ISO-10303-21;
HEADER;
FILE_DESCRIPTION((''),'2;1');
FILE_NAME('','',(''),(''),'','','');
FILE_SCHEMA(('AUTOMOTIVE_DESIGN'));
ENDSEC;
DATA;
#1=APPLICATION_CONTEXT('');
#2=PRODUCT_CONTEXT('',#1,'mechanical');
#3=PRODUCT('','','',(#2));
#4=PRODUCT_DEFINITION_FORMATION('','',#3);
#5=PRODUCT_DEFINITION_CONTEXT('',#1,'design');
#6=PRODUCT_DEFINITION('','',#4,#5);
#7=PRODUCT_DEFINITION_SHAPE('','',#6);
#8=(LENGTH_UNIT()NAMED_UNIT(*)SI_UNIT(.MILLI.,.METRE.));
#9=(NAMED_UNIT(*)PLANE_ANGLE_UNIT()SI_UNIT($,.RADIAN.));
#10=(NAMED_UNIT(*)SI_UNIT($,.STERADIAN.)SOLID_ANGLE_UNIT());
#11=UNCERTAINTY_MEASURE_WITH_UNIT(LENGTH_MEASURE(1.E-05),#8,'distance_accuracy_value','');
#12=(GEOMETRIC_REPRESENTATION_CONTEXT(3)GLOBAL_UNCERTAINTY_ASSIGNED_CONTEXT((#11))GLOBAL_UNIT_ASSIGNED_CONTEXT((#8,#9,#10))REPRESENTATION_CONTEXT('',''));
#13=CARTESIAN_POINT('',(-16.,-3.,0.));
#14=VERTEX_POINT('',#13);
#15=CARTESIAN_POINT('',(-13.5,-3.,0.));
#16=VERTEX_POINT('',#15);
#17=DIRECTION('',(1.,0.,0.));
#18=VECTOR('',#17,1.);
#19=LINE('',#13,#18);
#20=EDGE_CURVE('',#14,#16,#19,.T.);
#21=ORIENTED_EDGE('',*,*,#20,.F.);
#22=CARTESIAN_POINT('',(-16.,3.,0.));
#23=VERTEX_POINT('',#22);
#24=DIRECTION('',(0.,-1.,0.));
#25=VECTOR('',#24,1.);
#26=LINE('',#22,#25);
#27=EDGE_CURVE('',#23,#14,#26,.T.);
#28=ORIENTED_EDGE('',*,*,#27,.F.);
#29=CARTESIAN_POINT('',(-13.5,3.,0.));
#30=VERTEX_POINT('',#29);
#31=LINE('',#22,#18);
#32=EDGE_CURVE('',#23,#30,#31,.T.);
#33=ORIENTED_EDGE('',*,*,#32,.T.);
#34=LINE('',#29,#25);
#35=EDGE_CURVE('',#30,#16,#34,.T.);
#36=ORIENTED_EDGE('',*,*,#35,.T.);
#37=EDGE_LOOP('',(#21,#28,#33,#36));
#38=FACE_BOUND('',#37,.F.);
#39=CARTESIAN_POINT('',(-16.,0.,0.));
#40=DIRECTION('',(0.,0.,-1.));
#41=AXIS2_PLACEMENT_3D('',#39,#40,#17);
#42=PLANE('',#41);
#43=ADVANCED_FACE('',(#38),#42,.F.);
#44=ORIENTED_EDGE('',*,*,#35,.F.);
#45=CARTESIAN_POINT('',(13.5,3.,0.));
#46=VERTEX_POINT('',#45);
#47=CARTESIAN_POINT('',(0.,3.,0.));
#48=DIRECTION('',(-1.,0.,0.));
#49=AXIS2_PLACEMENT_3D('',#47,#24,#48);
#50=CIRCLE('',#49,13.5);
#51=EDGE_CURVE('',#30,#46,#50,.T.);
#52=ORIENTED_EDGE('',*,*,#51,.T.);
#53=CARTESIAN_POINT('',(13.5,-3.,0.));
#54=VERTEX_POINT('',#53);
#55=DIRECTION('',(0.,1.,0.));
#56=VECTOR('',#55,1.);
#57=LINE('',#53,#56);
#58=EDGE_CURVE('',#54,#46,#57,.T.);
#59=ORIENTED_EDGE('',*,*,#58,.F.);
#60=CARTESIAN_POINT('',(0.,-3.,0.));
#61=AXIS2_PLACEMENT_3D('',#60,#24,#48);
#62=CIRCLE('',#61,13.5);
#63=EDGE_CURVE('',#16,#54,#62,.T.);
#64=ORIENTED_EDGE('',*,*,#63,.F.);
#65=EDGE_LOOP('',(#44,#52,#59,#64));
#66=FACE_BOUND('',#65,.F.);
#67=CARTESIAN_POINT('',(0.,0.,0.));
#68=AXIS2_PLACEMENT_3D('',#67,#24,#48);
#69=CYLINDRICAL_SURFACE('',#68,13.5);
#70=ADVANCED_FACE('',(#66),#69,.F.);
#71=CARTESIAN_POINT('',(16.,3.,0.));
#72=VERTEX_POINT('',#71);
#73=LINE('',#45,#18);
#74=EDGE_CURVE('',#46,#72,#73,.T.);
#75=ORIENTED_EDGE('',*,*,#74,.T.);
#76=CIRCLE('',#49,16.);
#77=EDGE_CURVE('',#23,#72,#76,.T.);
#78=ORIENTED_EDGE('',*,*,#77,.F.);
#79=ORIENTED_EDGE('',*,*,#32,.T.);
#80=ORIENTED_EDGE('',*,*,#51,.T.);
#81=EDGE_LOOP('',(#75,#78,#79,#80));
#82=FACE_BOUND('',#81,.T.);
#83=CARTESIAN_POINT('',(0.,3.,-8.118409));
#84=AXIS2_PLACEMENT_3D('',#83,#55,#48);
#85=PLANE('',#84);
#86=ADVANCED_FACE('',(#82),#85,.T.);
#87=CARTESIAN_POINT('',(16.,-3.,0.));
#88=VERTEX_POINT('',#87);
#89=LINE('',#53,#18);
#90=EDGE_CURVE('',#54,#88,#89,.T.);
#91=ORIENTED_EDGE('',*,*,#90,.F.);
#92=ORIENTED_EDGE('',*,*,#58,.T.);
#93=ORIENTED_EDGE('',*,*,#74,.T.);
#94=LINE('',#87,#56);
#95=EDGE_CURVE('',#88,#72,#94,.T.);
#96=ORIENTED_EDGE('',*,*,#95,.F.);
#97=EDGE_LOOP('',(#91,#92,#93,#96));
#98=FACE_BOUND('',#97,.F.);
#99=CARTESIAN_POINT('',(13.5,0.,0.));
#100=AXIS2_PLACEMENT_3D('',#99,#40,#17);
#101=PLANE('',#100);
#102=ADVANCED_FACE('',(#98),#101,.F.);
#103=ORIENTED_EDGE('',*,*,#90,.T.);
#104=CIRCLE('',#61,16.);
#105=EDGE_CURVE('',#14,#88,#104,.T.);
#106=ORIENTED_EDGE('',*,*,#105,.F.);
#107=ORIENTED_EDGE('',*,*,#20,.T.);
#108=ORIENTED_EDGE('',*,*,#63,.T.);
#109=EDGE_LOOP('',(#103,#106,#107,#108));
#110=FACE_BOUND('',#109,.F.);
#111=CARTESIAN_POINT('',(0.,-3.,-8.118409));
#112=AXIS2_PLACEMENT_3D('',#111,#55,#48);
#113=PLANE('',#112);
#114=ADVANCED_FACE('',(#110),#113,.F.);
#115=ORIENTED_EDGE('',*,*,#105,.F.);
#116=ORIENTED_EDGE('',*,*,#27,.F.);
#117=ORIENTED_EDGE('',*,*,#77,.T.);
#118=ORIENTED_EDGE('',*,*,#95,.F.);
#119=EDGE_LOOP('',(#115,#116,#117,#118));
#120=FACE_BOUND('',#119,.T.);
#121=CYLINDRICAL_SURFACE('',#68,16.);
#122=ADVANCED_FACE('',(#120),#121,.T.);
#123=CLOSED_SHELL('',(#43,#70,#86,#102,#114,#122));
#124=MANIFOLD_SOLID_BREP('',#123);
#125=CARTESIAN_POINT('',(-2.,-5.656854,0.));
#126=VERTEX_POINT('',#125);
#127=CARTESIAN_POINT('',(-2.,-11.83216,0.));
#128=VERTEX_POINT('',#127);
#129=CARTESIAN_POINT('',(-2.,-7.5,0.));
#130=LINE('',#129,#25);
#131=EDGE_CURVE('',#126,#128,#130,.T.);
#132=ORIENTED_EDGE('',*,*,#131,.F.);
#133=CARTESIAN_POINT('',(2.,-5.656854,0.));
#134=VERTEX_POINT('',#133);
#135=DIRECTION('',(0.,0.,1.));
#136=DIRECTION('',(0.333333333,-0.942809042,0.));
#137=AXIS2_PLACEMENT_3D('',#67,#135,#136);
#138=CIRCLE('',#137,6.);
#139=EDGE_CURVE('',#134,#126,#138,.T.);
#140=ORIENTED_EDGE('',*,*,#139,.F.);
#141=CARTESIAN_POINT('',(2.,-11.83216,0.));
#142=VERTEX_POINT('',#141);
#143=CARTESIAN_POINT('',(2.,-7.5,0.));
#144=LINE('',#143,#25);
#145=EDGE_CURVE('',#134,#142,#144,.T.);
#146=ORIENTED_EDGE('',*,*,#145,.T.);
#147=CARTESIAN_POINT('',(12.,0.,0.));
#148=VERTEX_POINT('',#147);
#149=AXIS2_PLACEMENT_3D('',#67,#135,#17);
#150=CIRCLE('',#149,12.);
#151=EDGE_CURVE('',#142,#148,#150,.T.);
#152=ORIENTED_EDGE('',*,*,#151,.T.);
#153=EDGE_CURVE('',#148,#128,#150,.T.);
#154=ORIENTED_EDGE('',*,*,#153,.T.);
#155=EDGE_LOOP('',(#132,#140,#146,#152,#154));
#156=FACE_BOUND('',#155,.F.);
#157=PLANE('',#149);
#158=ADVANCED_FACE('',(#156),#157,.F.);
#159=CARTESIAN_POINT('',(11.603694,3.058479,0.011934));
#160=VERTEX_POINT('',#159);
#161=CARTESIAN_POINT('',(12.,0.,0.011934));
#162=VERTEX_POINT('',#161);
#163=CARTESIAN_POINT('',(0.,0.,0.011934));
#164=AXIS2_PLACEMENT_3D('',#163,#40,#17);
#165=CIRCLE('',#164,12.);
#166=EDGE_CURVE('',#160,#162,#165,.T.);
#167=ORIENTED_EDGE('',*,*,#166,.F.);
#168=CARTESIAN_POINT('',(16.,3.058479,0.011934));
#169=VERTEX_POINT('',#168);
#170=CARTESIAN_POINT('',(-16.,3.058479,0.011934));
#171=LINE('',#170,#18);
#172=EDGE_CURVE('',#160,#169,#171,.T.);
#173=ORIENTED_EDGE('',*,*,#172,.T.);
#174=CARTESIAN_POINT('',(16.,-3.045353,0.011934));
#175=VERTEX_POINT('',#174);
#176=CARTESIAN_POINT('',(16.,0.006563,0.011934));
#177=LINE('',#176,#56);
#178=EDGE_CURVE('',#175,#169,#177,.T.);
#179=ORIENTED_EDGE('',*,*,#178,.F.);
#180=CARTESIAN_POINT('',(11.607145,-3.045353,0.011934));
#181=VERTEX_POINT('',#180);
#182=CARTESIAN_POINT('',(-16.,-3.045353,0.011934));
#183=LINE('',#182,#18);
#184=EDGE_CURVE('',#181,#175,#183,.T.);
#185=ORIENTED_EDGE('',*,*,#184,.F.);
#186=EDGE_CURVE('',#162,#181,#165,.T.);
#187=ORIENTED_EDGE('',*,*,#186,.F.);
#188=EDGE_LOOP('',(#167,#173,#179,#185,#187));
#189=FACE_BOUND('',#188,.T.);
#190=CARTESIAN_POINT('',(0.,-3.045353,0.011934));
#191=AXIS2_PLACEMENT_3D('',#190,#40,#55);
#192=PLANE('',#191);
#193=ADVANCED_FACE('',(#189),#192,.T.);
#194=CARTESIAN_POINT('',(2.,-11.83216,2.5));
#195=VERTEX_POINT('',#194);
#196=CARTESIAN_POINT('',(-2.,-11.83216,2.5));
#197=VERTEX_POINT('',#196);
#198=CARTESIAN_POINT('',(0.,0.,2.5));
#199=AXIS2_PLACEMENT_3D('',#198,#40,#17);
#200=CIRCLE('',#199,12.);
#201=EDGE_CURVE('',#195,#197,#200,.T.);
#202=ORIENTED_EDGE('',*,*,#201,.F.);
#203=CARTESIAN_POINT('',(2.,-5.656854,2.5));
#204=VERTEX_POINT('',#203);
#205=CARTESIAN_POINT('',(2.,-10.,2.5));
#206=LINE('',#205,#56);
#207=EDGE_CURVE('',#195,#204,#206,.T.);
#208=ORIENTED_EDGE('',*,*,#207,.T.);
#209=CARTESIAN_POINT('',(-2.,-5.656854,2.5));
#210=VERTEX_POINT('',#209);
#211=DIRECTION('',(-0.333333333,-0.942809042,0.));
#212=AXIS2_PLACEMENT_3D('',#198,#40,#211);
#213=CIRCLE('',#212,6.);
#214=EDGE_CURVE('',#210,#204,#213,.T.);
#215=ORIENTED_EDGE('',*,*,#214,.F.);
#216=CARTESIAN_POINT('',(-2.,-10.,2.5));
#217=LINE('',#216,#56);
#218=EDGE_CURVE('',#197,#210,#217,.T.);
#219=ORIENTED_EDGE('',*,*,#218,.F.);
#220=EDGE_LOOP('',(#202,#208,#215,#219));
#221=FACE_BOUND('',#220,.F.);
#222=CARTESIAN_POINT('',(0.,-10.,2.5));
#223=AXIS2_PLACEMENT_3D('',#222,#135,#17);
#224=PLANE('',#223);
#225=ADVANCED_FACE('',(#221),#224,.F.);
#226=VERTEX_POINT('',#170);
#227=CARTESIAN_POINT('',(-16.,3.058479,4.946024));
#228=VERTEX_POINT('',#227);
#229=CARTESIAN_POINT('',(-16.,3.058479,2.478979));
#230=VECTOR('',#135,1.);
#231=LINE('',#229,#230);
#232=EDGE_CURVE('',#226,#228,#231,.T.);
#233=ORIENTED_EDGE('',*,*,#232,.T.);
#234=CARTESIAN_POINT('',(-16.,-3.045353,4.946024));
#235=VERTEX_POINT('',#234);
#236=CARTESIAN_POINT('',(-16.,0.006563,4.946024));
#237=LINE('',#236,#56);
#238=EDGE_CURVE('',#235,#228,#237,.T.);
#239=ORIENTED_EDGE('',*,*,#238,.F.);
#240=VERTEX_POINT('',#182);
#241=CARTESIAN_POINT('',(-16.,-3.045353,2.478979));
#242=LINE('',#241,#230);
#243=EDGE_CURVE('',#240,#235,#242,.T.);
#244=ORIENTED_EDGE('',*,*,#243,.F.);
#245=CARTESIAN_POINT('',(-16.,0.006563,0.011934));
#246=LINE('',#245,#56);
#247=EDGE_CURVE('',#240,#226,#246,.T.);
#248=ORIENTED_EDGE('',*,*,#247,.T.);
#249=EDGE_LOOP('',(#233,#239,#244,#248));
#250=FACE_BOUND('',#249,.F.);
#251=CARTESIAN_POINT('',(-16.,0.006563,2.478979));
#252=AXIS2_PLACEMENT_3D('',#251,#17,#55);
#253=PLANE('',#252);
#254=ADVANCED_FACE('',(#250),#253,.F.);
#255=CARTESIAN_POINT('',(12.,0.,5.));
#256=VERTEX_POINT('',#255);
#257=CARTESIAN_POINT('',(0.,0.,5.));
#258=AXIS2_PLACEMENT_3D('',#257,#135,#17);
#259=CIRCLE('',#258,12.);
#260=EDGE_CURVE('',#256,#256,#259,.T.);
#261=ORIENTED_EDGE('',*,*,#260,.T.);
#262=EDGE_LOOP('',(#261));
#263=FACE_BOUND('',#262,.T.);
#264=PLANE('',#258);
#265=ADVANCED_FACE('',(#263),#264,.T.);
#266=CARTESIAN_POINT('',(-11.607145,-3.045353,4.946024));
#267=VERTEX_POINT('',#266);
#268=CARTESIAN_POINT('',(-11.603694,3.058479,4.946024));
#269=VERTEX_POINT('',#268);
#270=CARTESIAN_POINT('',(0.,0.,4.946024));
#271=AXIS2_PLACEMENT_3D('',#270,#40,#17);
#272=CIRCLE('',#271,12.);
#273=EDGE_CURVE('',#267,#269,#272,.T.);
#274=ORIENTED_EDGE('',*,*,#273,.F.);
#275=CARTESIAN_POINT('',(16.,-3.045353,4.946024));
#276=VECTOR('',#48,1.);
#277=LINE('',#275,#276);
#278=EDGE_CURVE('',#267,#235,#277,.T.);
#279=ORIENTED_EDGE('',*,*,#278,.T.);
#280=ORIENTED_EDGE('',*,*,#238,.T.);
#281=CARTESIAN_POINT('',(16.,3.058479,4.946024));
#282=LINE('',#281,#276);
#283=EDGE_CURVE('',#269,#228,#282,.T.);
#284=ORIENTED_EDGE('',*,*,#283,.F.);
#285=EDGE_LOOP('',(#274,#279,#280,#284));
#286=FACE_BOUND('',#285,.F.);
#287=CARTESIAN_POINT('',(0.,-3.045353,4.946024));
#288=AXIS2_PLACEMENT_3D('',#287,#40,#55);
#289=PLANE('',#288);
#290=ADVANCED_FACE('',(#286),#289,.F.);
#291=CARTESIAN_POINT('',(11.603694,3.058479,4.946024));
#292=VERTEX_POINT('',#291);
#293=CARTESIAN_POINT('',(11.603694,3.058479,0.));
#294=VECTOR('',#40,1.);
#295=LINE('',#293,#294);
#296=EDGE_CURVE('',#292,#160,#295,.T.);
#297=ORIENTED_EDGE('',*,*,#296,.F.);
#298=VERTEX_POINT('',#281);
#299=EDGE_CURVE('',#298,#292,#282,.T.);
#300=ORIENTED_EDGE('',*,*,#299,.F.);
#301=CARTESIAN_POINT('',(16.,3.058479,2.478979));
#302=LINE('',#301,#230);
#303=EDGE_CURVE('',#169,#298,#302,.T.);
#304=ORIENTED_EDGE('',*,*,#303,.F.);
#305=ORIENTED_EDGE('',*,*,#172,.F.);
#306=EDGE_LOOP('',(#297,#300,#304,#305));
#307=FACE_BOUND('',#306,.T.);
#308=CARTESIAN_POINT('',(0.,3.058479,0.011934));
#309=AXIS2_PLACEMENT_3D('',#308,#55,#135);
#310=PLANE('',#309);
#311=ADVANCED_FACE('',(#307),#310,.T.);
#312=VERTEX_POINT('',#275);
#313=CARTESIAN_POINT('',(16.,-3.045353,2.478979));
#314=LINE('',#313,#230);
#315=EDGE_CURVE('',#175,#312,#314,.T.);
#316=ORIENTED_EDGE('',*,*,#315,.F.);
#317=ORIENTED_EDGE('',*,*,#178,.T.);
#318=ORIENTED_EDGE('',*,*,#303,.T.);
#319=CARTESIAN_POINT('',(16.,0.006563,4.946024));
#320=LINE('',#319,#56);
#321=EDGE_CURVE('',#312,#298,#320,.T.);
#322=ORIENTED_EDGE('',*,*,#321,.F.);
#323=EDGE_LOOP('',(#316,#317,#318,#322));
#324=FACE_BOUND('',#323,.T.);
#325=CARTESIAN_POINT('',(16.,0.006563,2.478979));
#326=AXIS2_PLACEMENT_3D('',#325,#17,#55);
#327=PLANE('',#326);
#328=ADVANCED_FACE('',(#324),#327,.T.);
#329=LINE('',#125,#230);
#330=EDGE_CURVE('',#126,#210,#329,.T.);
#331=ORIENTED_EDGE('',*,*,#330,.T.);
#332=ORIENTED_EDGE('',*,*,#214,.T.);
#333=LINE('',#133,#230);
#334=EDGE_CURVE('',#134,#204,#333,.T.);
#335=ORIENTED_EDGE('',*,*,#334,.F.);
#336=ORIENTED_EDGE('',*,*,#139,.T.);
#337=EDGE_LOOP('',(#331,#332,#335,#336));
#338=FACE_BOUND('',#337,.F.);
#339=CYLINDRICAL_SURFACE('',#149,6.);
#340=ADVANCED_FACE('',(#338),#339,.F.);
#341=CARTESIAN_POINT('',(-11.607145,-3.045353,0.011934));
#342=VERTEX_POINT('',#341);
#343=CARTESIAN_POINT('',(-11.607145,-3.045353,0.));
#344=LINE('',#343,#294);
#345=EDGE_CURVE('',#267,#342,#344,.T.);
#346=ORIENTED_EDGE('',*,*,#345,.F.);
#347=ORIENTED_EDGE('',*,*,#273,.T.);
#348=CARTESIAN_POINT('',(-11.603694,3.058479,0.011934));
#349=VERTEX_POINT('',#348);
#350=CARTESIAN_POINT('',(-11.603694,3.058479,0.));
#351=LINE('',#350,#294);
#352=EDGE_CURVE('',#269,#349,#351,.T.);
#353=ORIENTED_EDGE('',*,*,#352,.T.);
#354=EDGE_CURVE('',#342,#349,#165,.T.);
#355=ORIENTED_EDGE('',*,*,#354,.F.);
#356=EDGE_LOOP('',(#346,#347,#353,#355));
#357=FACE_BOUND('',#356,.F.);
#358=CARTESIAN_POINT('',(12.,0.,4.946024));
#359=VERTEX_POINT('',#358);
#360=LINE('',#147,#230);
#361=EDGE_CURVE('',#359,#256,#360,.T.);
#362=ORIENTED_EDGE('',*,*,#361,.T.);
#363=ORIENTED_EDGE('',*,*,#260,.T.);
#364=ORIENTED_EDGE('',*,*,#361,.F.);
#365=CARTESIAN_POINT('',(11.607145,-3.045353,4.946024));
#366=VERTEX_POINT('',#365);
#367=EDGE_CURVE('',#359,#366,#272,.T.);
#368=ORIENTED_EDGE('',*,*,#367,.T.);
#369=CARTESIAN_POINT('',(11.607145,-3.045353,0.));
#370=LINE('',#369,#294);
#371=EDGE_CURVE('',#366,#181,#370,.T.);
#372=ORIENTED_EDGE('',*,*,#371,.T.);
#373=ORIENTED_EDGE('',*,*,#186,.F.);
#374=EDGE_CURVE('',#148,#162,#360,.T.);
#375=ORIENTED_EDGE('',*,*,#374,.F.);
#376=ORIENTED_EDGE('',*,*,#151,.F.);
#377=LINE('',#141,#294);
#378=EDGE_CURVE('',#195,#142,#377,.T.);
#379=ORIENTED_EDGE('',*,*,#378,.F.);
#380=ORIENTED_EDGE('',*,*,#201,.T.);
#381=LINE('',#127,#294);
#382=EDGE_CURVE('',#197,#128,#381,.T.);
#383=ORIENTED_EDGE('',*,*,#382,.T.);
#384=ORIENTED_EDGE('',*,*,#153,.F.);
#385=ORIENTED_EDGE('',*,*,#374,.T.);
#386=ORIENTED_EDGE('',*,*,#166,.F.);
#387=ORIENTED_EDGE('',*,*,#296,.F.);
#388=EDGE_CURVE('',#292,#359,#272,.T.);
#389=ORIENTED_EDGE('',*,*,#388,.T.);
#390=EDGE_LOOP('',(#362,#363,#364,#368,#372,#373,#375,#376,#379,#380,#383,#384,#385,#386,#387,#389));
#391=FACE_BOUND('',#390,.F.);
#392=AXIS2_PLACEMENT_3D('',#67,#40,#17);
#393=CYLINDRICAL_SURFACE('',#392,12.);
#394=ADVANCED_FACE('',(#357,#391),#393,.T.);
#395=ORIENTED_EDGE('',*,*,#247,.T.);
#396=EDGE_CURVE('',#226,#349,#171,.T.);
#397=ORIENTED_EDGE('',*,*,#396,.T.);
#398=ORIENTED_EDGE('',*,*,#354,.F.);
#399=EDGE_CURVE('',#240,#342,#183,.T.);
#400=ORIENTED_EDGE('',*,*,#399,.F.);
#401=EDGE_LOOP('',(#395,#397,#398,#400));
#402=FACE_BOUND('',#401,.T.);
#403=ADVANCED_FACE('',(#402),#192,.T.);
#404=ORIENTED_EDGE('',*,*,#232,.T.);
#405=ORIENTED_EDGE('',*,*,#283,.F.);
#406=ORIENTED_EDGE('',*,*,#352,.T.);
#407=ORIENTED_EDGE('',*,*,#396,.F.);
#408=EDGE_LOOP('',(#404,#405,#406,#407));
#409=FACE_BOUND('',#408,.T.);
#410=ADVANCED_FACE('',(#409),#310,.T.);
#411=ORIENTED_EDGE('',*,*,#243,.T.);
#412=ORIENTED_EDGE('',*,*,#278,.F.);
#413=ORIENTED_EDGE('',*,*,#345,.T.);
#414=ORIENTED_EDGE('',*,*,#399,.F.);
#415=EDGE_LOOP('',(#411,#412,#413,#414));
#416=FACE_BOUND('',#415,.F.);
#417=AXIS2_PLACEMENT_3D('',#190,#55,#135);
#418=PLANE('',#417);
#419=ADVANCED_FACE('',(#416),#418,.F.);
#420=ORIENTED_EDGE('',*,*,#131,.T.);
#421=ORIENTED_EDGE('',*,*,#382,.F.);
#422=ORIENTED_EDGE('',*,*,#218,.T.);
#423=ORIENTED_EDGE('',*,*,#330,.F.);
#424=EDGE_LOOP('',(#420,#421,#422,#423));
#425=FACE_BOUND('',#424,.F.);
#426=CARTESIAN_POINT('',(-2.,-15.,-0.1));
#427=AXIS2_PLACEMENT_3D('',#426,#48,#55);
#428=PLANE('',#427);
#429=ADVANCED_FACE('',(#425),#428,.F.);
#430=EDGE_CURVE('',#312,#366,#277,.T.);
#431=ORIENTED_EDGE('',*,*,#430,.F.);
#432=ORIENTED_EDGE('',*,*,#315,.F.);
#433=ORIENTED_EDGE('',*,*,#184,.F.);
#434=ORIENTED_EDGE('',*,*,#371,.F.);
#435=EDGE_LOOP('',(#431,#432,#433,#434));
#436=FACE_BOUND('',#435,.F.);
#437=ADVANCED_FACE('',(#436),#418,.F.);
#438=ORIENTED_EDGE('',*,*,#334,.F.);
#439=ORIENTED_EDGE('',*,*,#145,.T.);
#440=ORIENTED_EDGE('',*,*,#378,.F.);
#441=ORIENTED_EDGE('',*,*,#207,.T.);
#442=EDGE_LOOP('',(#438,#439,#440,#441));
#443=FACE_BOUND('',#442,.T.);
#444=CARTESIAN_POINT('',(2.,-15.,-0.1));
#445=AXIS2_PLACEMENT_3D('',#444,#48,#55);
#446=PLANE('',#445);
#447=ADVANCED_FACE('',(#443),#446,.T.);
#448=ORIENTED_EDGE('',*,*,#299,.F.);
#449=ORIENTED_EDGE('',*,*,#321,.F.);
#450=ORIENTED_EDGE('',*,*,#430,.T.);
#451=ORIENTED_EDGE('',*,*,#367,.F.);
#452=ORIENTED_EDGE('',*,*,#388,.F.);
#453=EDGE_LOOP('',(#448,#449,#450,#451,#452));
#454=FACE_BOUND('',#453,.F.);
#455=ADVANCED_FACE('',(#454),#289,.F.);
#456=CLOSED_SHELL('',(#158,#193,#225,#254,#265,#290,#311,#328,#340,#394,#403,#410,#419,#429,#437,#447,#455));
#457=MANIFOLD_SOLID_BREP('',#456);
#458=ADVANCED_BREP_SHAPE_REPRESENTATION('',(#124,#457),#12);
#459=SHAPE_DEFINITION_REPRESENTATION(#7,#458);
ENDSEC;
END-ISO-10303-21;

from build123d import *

# Parameters (mm, degrees)
SKETCH002_W  = 6.103832
SKETCH002_H  = 4.93409
PAD_DEPTH    = 16
SKETCH001_R  = 12
PAD001_DEPTH = 5
SKETCH_R     = 6
POCKET_DEPTH = 2.5
BOX_W        = 4
BOX_H        = 10
BOX_DEPTH    = 2.6
PAD002_DEPTH = 3


with BuildPart() as body:
    # Sketch002 → Pad (new body, symmetric)
    with BuildSketch(Plane.YZ):
        with Locations((0.006563, 2.478979)):
            Rectangle(SKETCH002_W, SKETCH002_H)
    extrude(amount=PAD_DEPTH, both=True)

    # Sketch001 → Pad001 (join)
    with BuildSketch(Plane.XY):
        Circle(SKETCH001_R)
    extrude(amount=PAD001_DEPTH)

    # Sketch → Pocket (cut, symmetric)
    with BuildSketch(Plane.XY):
        Circle(SKETCH_R)
    extrude(amount=POCKET_DEPTH, both=True, mode=Mode.SUBTRACT)

    # Box → Box (cut)
    with BuildSketch(Plane(origin=(-2, -15, -0.1), x_dir=(1, 0, 0), z_dir=(0, 0, 1))):
        with Locations((2, 5)):
            Rectangle(BOX_W, BOX_H)
    extrude(amount=BOX_DEPTH, mode=Mode.SUBTRACT)


with BuildPart() as body001:
    # Sketch003 (on Sketch) → Pad002 (new body, symmetric)
    with BuildSketch(Plane.XZ):
        with BuildLine():
            ThreePointArc((-13.5, 0), (0, -13.5), (13.5, 0))
            Line((13.5, 0), (16, 0))
            ThreePointArc((-16, 0), (0, -16), (16, 0))
            Line((-16, 0), (-13.5, 0))
        make_face()
    extrude(amount=PAD002_DEPTH, both=True)


solid = Compound([body.part, body001.part])
